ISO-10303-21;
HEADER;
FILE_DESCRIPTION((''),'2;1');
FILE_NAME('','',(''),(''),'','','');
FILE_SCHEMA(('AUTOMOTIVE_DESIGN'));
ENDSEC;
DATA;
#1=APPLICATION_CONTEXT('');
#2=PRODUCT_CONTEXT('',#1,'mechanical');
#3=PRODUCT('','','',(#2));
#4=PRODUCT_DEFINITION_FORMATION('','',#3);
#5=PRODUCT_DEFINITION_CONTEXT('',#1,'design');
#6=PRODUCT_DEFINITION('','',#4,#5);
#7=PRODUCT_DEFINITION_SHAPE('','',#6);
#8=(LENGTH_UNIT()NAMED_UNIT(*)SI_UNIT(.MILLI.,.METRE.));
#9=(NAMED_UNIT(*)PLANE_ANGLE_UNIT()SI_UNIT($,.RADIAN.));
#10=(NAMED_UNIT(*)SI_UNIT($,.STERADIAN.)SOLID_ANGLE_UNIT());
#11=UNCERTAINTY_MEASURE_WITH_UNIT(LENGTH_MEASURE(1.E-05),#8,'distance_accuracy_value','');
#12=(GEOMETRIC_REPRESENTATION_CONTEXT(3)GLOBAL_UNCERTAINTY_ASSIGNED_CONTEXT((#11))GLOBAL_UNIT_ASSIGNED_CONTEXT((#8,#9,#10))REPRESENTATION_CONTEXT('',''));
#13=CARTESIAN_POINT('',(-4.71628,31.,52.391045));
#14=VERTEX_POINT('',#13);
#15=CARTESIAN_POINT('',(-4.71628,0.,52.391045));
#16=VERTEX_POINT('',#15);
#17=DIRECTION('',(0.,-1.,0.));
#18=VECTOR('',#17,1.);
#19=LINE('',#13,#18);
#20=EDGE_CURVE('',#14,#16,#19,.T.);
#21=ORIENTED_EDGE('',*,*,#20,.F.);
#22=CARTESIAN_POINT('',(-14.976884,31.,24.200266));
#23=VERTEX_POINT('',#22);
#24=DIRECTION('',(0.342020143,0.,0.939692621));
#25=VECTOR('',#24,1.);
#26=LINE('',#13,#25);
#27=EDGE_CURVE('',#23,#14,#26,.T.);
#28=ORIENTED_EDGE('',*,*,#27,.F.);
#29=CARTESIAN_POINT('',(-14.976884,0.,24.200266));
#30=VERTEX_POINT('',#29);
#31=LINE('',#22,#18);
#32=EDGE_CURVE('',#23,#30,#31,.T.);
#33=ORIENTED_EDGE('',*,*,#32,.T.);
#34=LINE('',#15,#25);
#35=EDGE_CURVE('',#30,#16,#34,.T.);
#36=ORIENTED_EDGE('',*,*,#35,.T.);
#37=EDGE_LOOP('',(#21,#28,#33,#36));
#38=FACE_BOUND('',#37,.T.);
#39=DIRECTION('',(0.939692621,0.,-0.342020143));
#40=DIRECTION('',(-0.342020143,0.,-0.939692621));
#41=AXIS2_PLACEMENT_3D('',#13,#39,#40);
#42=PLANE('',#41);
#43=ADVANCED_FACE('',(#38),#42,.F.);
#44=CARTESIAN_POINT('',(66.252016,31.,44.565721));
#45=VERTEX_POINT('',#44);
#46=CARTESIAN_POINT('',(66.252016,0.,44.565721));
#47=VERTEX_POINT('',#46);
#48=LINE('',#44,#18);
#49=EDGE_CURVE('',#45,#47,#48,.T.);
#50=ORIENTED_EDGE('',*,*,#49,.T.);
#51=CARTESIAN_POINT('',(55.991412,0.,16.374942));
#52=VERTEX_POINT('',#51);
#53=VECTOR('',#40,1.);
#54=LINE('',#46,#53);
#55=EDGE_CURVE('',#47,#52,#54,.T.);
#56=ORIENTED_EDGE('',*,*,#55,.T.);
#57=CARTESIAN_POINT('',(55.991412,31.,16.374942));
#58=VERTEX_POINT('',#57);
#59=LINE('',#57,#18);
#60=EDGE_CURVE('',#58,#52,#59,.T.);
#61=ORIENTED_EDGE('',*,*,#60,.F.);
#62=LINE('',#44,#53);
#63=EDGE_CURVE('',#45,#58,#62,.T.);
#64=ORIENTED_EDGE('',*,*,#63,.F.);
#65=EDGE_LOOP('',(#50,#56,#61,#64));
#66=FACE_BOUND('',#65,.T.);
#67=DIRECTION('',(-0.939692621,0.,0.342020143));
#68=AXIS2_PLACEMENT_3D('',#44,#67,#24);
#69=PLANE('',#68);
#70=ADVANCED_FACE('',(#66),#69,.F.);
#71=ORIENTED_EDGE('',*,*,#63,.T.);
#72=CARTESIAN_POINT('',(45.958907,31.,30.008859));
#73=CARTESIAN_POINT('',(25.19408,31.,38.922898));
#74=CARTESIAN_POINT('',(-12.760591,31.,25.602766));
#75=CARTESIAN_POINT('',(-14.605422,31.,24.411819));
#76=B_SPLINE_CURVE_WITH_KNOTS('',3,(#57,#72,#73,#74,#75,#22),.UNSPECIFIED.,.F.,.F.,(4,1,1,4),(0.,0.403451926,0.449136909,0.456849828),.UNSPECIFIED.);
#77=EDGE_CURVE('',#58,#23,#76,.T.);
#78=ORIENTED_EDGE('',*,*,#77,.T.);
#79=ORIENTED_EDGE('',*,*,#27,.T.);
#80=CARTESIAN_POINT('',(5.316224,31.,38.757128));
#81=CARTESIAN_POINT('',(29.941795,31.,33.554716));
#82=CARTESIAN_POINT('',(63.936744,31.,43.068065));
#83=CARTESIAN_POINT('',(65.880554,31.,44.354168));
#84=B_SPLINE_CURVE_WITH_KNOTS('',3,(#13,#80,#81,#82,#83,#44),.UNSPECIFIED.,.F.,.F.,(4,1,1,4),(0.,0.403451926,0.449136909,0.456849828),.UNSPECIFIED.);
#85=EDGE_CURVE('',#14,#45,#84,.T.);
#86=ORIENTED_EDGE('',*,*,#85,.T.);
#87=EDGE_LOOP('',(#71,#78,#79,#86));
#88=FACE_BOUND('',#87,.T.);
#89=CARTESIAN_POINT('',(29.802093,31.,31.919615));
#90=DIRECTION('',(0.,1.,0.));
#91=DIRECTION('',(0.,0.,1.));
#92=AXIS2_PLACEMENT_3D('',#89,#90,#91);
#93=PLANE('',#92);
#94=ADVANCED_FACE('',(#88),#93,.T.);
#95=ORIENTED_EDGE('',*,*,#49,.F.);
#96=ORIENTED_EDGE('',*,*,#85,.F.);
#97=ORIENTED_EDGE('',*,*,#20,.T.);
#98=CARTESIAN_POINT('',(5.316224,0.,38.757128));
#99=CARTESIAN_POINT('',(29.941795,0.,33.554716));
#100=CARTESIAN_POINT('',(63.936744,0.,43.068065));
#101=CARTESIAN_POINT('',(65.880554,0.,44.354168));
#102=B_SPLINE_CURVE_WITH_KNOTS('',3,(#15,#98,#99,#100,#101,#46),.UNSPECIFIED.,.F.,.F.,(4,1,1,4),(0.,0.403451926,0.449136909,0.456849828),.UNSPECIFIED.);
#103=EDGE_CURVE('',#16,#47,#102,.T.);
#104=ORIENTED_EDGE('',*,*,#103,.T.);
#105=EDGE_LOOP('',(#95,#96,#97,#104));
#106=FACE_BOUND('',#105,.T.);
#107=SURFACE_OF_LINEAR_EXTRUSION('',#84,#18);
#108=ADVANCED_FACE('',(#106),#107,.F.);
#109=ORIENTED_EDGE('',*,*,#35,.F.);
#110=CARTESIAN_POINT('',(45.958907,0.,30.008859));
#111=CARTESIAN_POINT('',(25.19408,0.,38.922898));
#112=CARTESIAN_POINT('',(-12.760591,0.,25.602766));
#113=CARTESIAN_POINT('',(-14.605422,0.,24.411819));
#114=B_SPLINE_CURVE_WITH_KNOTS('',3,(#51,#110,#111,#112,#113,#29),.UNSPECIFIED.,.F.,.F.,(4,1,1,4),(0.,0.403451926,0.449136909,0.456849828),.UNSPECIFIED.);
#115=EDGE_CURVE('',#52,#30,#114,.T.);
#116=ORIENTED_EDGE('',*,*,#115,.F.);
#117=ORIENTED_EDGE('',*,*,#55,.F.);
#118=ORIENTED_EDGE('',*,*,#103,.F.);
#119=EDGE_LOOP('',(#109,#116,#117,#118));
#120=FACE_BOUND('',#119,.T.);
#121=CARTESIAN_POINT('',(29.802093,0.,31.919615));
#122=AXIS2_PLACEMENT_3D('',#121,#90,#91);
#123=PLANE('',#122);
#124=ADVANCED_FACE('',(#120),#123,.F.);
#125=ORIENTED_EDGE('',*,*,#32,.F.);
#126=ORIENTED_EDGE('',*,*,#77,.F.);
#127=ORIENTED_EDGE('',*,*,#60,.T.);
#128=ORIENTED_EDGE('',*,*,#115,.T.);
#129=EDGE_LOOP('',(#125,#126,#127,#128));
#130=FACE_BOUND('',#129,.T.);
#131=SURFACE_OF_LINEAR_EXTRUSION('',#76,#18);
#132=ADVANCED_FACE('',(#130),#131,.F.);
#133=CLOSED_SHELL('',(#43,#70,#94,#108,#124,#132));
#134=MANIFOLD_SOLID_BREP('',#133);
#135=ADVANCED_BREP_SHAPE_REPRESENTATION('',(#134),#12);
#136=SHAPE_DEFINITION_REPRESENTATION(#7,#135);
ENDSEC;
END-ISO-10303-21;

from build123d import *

# Parameters (mm, degrees)
BOSS_EXTRUDE1_DEPTH = 31


with BuildPart() as part:
    # Sketch1 → Boss-Extrude1 (new body)
    with BuildSketch(Plane(origin=(0, 0, 0), x_dir=(1, 0, 0), z_dir=(0, 1, 0))):
        with BuildLine():
            Line((-4.716280072, -52.391044588), (-14.97688437, -24.20026596))
            add(Edge.make_bspline(
                [(55.99141165, -16.37494241), (45.958907143, -30.008858792), (25.194080199, -38.922897686), (-12.760591176, -25.602765697), (-14.605421945, -24.411818747), (-14.97688437, -24.20026596)],
                knots=[0, 0, 0, 0, 0.403451926, 0.449136909, 0.456849828, 0.456849828, 0.456849828, 0.456849828], degree=3))
            Line((55.99141165, -16.37494241), (66.25201595, -44.565721037))
            add(Edge.make_bspline(
                [(-4.716280072, -52.391044588), (5.316224436, -38.757128206), (29.941795264, -33.55471635), (63.936743914, -43.068065403), (65.880553525, -44.354168251), (66.25201595, -44.565721037)],
                knots=[0, 0, 0, 0, 0.403451926, 0.449136909, 0.456849828, 0.456849828, 0.456849828, 0.456849828], degree=3))
        make_face()
    extrude(amount=BOSS_EXTRUDE1_DEPTH)


solid = part.part
